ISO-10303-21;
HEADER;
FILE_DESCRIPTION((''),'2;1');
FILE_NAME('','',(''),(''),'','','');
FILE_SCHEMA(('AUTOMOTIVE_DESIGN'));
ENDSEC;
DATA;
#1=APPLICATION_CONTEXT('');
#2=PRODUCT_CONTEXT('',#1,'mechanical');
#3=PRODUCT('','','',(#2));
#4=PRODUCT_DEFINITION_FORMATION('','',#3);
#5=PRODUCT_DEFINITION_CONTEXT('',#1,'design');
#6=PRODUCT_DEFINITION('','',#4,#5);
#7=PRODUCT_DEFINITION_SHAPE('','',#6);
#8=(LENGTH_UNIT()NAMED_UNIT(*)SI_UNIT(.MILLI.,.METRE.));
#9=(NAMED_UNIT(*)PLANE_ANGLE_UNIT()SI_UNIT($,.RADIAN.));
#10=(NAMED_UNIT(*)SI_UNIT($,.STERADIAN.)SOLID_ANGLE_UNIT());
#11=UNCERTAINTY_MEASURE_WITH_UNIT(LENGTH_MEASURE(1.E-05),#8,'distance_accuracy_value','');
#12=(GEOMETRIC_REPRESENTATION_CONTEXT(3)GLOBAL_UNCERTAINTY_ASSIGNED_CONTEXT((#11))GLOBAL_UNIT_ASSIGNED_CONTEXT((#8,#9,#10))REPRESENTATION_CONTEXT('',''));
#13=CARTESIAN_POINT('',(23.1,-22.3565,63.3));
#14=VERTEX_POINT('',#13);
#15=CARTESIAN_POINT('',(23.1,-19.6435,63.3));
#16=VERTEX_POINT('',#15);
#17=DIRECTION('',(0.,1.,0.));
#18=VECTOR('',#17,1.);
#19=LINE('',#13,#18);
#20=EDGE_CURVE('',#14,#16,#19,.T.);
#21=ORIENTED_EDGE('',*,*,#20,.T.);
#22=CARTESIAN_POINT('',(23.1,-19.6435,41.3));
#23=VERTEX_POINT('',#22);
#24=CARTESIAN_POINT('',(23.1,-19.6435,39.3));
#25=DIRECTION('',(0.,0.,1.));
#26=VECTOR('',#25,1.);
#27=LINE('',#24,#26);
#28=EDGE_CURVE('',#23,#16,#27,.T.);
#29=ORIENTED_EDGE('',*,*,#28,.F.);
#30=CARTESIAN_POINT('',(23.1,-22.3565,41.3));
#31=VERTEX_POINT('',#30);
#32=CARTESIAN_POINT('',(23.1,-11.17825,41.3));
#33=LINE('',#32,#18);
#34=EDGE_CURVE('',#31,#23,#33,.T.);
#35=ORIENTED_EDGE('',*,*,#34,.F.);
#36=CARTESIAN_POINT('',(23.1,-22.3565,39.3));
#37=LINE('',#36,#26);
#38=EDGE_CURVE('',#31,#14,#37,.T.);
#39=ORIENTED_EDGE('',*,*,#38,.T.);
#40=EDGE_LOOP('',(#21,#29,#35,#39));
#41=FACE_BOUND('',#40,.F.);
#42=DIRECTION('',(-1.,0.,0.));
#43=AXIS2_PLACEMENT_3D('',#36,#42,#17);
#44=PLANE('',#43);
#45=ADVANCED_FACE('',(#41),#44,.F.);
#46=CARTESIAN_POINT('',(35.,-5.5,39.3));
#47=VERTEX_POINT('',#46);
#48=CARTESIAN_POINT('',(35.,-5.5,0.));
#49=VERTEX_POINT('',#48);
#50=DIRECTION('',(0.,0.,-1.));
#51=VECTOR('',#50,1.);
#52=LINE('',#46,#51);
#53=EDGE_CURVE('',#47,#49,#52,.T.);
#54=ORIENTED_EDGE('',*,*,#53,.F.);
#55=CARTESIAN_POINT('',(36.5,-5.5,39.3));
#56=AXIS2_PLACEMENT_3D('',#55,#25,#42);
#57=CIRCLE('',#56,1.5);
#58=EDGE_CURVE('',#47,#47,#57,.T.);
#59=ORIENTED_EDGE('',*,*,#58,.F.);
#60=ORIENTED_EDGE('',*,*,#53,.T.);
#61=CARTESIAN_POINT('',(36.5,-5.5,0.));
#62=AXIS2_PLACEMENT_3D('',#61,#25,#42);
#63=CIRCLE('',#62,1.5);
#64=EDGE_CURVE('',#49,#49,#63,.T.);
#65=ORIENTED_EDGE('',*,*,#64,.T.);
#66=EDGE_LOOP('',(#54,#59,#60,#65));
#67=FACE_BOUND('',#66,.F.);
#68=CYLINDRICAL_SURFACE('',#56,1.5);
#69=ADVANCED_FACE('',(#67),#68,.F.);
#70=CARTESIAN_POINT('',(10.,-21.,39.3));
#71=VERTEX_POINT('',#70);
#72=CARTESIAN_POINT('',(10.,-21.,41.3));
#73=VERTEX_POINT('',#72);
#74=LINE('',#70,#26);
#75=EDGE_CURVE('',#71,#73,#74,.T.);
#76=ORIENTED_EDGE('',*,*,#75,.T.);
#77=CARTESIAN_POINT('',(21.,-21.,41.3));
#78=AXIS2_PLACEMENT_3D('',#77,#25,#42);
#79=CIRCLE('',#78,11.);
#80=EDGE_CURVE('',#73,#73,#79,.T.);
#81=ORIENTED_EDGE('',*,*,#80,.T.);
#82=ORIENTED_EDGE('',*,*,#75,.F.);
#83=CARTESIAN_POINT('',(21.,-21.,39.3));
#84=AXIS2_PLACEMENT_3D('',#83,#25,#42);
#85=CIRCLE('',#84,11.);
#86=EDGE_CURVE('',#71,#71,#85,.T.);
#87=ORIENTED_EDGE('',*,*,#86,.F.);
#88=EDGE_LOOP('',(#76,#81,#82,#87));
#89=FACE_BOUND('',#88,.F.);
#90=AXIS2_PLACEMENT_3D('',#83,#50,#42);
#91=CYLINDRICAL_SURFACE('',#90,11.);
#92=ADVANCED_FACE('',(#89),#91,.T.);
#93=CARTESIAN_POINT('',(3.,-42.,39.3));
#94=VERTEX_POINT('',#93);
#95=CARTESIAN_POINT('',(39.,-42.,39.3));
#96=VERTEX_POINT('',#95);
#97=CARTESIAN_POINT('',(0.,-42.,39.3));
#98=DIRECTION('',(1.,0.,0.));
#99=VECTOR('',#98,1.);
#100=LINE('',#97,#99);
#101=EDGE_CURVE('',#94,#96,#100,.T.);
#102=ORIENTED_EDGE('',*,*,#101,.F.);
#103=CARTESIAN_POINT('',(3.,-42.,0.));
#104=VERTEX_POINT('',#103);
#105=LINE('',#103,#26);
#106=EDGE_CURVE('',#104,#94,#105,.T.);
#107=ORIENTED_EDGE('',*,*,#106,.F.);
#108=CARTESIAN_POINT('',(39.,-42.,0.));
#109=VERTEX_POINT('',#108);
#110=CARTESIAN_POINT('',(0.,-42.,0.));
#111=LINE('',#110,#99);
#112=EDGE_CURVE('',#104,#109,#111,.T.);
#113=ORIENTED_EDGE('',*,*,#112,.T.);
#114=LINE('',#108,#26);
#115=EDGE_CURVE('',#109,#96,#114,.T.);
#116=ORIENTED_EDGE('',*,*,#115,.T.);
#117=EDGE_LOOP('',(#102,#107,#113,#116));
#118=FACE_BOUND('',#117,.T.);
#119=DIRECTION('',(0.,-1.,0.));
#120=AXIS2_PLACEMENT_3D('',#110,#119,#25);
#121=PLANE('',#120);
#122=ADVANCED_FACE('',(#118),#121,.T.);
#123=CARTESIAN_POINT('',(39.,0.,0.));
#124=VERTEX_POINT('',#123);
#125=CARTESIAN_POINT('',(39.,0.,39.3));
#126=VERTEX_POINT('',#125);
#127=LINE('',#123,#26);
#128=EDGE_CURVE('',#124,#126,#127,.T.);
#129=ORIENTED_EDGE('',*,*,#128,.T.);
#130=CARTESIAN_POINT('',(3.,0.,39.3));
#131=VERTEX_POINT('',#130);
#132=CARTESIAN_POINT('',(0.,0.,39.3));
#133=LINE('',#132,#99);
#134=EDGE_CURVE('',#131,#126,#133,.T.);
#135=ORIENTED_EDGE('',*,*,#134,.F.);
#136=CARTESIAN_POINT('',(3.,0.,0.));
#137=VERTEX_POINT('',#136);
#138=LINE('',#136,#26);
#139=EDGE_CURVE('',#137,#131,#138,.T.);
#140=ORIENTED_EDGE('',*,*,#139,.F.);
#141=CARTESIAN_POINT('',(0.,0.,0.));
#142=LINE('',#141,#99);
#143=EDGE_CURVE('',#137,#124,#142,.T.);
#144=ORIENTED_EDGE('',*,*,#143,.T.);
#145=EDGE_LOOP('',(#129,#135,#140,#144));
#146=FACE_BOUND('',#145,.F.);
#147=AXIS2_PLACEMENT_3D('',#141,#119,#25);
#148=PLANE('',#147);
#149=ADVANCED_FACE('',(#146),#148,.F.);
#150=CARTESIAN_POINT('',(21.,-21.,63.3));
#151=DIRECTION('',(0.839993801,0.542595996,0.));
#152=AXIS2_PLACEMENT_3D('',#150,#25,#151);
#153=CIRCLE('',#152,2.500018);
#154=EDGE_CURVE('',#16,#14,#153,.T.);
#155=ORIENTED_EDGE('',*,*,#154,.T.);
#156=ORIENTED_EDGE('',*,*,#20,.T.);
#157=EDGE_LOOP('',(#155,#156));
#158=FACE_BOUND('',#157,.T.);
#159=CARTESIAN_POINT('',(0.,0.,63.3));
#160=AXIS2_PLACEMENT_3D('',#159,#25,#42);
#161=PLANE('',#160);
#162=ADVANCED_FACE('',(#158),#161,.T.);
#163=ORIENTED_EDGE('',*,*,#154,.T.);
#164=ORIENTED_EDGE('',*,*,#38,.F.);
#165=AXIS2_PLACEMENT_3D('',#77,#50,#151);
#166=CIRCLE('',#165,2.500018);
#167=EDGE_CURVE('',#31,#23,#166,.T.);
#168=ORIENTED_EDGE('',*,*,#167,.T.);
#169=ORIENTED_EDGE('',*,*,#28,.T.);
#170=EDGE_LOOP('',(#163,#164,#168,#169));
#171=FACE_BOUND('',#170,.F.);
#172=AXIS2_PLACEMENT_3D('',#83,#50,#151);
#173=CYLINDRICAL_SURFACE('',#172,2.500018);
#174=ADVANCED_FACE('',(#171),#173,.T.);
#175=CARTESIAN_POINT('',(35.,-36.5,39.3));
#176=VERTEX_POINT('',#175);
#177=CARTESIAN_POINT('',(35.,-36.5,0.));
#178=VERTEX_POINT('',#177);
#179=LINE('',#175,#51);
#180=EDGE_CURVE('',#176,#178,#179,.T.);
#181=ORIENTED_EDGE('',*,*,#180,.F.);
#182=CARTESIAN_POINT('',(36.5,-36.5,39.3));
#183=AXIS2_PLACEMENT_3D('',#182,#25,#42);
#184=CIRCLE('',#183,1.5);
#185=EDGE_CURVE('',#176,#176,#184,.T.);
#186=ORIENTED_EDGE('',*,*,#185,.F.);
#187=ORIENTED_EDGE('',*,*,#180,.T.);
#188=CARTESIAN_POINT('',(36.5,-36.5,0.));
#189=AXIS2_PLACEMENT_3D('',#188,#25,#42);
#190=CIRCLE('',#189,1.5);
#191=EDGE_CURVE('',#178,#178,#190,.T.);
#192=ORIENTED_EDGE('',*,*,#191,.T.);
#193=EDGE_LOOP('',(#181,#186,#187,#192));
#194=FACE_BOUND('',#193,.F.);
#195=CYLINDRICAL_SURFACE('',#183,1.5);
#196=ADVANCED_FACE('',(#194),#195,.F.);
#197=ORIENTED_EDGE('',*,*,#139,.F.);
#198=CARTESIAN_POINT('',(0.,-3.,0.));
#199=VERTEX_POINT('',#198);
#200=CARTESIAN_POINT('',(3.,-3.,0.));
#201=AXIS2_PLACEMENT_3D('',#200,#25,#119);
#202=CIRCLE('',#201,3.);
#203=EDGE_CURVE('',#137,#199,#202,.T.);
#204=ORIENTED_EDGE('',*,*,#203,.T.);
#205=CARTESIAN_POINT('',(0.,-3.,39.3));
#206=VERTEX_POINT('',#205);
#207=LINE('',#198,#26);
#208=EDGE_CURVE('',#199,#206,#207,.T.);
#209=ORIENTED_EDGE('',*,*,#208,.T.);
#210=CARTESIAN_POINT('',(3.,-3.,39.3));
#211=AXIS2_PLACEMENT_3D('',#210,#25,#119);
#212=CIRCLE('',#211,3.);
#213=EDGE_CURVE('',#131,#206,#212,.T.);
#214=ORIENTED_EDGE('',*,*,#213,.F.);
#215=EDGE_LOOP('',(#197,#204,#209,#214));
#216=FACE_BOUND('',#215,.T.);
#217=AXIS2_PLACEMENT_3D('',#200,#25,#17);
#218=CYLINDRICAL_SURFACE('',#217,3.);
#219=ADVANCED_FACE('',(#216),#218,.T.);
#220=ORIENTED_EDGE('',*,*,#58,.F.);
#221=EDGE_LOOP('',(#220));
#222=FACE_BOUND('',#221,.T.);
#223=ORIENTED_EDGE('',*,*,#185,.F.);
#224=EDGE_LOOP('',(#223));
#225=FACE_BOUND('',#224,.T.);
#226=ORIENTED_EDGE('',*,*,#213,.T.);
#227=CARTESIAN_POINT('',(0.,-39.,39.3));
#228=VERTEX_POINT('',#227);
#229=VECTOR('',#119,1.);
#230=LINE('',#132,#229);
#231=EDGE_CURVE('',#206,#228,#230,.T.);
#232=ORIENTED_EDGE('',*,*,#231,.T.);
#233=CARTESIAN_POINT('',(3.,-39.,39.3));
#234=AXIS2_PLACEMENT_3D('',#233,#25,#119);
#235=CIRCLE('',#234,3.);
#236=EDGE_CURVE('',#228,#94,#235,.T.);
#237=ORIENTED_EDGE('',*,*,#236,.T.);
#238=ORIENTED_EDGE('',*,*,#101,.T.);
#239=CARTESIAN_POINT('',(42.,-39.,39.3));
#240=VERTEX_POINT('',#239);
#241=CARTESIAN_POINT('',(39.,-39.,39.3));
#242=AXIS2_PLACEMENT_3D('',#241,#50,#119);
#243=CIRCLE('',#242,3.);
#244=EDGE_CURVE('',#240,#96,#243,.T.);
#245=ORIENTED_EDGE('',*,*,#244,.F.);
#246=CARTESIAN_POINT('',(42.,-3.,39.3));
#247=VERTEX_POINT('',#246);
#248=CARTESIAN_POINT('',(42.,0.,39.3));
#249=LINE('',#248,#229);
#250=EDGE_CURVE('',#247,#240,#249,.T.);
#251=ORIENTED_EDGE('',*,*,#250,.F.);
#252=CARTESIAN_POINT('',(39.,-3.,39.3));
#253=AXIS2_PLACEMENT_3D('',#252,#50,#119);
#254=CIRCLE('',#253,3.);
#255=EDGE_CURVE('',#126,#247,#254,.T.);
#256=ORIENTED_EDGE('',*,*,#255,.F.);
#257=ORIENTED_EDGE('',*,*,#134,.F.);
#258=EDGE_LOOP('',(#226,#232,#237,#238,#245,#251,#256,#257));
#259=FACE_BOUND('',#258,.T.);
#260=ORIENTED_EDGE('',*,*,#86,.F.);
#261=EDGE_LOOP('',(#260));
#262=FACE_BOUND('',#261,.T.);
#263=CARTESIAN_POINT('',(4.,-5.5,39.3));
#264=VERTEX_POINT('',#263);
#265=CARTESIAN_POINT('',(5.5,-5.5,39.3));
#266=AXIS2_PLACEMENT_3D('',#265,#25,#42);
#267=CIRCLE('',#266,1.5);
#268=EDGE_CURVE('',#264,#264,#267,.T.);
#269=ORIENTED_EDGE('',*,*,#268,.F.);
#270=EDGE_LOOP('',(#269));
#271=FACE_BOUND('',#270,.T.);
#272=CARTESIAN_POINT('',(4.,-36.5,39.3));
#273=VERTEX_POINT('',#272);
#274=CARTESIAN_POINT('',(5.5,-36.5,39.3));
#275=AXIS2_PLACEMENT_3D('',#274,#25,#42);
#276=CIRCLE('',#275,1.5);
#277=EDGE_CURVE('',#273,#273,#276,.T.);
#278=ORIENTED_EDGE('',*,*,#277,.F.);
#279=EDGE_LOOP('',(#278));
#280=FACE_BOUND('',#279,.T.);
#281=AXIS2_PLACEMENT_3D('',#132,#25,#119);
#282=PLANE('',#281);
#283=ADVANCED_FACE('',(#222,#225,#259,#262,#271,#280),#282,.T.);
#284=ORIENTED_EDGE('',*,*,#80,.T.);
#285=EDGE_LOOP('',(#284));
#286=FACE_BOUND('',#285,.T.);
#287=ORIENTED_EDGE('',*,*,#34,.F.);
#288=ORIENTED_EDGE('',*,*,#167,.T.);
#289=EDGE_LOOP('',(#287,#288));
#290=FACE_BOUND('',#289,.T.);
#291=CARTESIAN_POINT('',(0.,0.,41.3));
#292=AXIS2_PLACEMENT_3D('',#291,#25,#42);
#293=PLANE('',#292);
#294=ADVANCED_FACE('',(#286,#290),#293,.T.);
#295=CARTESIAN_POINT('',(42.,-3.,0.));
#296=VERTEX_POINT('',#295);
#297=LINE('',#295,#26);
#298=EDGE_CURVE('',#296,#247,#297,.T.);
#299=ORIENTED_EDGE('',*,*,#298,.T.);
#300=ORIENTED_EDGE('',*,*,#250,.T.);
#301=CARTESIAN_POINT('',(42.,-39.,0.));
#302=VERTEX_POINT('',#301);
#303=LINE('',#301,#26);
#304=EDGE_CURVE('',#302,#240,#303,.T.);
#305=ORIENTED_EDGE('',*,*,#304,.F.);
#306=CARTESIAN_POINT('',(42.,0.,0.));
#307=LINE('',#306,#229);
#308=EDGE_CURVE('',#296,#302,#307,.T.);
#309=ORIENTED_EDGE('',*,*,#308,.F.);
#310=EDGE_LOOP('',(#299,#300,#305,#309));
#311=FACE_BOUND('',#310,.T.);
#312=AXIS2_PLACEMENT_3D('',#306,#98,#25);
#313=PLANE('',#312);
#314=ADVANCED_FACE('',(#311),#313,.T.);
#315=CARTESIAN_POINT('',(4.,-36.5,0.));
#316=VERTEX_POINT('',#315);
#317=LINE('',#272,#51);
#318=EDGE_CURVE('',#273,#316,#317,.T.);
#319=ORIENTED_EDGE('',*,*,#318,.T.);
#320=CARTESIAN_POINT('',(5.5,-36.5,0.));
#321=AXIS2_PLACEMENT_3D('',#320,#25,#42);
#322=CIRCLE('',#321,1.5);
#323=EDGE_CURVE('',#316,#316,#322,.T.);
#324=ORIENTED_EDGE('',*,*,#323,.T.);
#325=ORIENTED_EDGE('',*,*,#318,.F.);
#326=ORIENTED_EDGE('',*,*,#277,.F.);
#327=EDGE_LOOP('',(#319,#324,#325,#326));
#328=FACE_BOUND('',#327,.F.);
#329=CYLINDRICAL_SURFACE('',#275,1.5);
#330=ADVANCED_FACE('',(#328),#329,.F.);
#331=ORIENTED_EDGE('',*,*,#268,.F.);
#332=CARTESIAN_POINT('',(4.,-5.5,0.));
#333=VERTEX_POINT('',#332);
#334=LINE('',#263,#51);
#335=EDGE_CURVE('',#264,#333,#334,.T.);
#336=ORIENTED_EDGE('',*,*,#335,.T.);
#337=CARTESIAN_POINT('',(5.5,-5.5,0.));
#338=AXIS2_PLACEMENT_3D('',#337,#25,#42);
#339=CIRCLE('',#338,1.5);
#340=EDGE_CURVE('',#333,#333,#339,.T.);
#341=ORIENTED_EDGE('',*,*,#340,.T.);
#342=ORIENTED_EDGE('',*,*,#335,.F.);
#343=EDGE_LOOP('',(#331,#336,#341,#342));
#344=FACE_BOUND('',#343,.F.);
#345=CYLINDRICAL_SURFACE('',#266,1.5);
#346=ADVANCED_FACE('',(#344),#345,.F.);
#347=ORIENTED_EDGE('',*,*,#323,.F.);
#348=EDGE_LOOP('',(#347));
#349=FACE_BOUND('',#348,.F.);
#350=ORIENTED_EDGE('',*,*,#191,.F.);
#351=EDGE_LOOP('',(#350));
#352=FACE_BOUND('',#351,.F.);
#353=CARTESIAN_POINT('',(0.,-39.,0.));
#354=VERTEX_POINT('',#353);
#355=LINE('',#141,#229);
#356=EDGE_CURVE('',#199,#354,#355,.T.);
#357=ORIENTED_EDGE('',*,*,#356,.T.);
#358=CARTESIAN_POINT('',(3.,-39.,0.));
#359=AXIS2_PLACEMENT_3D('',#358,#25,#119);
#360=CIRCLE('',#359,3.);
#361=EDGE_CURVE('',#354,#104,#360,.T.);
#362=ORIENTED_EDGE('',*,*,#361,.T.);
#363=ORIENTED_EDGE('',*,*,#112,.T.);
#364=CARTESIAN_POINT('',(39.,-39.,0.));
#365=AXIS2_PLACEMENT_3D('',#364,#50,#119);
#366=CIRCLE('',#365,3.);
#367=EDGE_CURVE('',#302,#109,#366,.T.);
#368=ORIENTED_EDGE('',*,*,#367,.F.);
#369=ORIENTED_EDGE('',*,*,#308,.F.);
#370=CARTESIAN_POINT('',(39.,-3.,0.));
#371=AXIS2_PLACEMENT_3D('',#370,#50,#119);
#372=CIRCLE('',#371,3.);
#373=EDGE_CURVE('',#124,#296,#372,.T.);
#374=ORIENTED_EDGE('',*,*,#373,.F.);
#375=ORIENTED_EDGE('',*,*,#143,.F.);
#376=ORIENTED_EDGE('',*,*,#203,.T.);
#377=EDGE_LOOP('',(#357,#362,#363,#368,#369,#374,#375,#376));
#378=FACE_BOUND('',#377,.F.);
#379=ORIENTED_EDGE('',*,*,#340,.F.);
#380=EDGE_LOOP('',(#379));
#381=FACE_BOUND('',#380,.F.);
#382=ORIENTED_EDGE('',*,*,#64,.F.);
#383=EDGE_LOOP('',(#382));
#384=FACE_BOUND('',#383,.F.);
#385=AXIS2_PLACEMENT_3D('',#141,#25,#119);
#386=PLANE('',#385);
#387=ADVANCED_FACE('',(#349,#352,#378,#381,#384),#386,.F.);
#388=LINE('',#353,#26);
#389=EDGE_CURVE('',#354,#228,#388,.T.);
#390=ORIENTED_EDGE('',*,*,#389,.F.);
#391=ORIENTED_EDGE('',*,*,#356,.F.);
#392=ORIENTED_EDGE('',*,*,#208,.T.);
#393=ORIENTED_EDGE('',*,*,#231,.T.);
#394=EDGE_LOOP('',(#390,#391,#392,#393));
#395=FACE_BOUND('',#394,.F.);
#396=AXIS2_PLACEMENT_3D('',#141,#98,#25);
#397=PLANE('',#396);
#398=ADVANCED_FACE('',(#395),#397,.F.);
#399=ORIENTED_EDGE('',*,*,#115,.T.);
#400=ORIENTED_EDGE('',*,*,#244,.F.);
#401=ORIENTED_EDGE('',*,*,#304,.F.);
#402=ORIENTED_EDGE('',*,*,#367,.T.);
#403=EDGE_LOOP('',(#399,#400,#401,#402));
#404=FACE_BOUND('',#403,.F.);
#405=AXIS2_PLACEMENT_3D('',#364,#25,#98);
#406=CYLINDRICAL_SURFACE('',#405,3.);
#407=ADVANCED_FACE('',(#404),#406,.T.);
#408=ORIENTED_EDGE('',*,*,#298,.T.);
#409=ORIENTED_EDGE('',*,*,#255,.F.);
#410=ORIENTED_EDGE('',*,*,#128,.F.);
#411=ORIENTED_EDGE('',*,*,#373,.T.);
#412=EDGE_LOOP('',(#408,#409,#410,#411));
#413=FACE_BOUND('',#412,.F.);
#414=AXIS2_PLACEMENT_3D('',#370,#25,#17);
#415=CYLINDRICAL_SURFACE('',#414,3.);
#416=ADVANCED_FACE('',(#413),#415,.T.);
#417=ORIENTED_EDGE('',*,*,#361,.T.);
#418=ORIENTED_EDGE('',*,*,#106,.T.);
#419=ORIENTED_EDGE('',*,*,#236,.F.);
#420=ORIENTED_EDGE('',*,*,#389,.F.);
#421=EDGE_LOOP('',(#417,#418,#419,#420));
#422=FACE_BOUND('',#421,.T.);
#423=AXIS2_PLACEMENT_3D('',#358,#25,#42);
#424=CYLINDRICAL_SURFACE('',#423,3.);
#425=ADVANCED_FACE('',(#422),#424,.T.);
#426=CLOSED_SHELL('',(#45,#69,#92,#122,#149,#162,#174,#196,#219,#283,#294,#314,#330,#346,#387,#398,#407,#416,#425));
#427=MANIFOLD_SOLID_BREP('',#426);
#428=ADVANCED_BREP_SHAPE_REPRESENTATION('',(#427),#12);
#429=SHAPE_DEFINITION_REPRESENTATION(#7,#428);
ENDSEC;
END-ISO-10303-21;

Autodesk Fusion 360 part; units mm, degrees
box "BoxPrimitive1" add length 42 width 42 height 39.3 placed x (0, -1, 0) y (1, 0, 0) z (0, 0, 1) at (0, 0, 0)
sketch "Sketch2" plane through (0, 0, 39.3) normal (0, 0, 1) x (-1, 0, 0)
  line L0 (0, 42) -> (-42, 42)
  line L1 (-42, 42) -> (-42, 0)
  line L2 (-42, 0) -> (0, 0)
  line L3 (0, 0) -> (0, 42)
  circle A0 centre (-21, 21) radius 11
  line L4 (-23.1, 22.3565) -> (-23.1, 19.6435)
  arc A1 (-23.1, 19.6435) -> (-23.1, 22.3565) centre (-21, 21) ccw
  circle A2 centre (-36.5, 36.5) radius 1.5
  circle A3 centre (-5.5, 36.5) radius 1.5
  line L5 (-5.5, 36.5) -> (-36.5, 36.5) construction
  line L6 (-36.5, 36.5) -> (-36.5, 5.5) construction
  circle A4 centre (-36.5, 5.5) radius 1.5
  circle A5 centre (-5.5, 5.5) radius 1.5
  point P0 (-21, 0)
  point P1 (0, 21)
  point P2 (-21, 36.5)
  point P3 (-21, 42)
  point P4 (-36.5, 21)
  point P5 (-42, 21)
  dimension "d8" = 22
  dimension "d11" = 5
  dimension "d14" = 2.1
  dimension "d17" = 3
  dimension "d20" = 3
  dimension "d21" = 31
  dimension "d22" = 31
  dimension "d23" = 3
  dimension "d24" = 3
extrude "Extrude2" add sketch "Sketch2" along normal blind 24 contours L4 A1
extrude "Extrude1" add sketch "Sketch2" along normal blind 2 contours A0 | L4 A1
fillet "Fillet1" radius 3 4 edges at (0, 0, 19.65) (0, -42, 19.65) (42, -42, 19.65) (42, 0, 19.65)
extrude "Extrude3" cut sketch "Sketch2" against normal blind 40 contours A2 | A3 | A4 | A5
